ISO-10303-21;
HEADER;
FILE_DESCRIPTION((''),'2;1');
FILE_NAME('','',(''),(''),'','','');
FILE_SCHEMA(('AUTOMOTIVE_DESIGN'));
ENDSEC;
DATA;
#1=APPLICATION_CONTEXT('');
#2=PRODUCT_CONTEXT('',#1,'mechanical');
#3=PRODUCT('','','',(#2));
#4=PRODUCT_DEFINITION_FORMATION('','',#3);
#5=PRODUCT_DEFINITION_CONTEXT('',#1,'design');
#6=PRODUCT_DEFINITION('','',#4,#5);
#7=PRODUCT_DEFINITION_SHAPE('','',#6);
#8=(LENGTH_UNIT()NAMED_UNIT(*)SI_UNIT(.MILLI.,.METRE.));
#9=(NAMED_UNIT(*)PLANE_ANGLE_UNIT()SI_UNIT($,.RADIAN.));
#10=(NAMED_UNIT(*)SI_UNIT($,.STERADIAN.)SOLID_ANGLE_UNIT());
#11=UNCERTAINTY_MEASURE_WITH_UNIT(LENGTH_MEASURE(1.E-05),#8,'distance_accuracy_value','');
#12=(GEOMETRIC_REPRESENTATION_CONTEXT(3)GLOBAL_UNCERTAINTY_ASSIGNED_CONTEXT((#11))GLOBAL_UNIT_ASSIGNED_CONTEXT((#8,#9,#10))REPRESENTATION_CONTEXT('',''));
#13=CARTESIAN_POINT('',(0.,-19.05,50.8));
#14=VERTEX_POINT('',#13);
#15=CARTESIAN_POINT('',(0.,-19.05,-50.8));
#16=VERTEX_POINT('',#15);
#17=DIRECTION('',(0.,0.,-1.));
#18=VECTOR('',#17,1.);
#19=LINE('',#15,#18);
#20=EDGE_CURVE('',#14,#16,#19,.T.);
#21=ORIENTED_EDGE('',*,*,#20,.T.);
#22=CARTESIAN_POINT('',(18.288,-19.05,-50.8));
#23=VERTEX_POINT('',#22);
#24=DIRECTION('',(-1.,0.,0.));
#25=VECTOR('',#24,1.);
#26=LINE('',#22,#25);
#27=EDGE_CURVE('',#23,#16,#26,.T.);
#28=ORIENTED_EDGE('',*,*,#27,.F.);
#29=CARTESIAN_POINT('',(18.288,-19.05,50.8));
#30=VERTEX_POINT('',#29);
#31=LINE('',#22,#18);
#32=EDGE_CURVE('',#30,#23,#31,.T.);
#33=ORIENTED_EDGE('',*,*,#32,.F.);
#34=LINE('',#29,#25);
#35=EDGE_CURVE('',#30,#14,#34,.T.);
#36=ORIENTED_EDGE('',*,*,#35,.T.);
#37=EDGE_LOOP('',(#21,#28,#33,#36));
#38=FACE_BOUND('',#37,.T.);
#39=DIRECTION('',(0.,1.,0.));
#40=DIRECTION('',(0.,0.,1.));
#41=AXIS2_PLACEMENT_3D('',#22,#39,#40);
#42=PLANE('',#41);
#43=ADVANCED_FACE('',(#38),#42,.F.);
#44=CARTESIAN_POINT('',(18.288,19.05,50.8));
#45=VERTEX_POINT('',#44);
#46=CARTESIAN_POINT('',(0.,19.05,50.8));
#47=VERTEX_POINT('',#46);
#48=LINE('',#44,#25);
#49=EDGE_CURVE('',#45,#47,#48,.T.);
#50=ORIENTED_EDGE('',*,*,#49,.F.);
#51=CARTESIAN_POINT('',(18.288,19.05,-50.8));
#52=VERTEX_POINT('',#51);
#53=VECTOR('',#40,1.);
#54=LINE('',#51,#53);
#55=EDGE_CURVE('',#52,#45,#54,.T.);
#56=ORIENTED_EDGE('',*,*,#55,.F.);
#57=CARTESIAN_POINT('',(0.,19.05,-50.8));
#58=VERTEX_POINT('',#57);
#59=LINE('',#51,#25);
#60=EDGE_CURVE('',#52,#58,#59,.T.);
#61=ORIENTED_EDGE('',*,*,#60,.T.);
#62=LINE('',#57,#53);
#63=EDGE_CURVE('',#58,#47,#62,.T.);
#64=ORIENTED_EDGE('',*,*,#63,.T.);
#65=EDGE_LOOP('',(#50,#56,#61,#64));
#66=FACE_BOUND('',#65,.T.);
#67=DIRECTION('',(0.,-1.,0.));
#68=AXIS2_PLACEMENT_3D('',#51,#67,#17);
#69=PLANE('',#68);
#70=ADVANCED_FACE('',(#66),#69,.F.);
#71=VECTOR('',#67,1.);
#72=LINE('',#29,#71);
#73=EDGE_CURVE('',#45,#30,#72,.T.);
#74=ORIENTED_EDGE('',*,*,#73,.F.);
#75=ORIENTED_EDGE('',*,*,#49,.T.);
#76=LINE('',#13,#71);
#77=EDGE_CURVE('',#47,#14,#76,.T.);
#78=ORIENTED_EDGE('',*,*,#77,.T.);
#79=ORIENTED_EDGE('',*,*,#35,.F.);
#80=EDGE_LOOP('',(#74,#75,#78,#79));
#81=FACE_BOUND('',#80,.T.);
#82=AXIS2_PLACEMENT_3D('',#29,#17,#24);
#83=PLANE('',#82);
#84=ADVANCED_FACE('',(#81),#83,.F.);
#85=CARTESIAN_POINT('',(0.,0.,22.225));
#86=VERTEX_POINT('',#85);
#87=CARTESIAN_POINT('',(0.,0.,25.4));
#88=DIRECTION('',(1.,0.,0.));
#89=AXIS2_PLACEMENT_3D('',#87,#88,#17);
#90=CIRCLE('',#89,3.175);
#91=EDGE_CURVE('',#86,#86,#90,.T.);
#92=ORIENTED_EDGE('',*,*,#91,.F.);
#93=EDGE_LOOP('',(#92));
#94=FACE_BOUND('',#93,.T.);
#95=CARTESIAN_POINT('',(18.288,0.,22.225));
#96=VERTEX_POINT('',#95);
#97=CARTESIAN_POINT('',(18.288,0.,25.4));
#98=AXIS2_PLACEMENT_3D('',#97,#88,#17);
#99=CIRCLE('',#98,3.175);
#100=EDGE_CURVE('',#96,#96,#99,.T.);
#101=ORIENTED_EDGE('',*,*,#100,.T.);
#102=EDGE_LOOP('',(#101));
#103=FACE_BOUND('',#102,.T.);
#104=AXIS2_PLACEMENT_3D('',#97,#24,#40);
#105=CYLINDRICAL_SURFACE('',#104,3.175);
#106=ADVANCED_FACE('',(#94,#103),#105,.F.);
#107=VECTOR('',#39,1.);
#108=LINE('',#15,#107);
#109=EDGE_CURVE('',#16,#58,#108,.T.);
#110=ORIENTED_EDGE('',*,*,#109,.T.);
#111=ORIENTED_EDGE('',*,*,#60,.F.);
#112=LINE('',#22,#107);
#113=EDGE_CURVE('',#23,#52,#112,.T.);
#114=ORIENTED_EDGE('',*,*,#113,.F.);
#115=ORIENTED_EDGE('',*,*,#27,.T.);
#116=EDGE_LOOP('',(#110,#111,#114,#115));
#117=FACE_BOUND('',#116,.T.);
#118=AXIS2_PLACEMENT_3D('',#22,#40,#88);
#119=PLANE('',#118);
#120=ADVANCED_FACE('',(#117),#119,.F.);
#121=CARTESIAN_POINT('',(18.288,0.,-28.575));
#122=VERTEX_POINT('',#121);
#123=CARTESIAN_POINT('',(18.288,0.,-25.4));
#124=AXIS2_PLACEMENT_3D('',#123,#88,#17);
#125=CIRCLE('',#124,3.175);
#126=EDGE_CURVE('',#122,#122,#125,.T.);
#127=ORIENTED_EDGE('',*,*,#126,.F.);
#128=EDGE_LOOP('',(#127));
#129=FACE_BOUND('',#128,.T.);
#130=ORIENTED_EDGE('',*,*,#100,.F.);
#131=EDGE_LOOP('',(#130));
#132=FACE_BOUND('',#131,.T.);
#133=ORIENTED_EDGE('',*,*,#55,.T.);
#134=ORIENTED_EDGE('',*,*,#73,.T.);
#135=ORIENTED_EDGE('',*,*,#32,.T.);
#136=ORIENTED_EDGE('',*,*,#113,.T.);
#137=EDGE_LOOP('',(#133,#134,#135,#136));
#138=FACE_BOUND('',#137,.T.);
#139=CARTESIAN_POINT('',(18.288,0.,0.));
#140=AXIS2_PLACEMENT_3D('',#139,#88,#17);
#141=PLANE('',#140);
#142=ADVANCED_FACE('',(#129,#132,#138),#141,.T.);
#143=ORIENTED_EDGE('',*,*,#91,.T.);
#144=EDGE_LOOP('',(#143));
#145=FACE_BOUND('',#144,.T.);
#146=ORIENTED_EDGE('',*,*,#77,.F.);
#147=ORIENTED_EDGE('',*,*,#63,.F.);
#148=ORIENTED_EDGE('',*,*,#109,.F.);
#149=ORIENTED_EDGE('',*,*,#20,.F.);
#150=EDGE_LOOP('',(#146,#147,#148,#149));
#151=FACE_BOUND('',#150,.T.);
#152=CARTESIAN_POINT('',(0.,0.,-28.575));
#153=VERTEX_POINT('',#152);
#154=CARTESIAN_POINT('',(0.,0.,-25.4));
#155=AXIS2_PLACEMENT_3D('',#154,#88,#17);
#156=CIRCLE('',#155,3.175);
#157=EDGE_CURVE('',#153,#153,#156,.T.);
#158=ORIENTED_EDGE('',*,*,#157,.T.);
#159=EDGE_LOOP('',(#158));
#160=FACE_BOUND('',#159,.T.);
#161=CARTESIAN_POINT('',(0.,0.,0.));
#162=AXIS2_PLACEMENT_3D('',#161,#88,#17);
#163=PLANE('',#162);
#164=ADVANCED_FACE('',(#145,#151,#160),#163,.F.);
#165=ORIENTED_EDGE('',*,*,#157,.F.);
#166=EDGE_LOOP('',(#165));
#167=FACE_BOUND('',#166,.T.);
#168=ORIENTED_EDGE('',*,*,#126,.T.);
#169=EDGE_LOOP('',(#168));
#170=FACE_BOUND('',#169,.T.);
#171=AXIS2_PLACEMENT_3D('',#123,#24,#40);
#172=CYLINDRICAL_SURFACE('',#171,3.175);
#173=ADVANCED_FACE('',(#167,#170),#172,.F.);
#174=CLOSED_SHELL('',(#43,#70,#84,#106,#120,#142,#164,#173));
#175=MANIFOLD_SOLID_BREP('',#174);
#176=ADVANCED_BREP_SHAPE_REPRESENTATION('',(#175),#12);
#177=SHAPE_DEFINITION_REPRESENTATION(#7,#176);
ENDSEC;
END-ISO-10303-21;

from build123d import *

# Parameters (mm, degrees)
SKETCH1_W           = 101.6
SKETCH1_H           = 38.1
SKETCH1_R           = 3.175
BOSS_EXTRUDE1_DEPTH = 18.288


with BuildPart() as part:
    # Sketch1 → Boss-Extrude1 (new body)
    with BuildSketch(Plane(origin=(0, 0, 0), x_dir=(0, 0, -1), z_dir=(1, 0, 0))):
        Rectangle(SKETCH1_W, SKETCH1_H)
        with Locations((-25.4, 0)):
            Circle(SKETCH1_R, mode=Mode.SUBTRACT)
        with Locations((25.4, 0)):
            Circle(SKETCH1_R, mode=Mode.SUBTRACT)
    extrude(amount=BOSS_EXTRUDE1_DEPTH)


solid = part.part
